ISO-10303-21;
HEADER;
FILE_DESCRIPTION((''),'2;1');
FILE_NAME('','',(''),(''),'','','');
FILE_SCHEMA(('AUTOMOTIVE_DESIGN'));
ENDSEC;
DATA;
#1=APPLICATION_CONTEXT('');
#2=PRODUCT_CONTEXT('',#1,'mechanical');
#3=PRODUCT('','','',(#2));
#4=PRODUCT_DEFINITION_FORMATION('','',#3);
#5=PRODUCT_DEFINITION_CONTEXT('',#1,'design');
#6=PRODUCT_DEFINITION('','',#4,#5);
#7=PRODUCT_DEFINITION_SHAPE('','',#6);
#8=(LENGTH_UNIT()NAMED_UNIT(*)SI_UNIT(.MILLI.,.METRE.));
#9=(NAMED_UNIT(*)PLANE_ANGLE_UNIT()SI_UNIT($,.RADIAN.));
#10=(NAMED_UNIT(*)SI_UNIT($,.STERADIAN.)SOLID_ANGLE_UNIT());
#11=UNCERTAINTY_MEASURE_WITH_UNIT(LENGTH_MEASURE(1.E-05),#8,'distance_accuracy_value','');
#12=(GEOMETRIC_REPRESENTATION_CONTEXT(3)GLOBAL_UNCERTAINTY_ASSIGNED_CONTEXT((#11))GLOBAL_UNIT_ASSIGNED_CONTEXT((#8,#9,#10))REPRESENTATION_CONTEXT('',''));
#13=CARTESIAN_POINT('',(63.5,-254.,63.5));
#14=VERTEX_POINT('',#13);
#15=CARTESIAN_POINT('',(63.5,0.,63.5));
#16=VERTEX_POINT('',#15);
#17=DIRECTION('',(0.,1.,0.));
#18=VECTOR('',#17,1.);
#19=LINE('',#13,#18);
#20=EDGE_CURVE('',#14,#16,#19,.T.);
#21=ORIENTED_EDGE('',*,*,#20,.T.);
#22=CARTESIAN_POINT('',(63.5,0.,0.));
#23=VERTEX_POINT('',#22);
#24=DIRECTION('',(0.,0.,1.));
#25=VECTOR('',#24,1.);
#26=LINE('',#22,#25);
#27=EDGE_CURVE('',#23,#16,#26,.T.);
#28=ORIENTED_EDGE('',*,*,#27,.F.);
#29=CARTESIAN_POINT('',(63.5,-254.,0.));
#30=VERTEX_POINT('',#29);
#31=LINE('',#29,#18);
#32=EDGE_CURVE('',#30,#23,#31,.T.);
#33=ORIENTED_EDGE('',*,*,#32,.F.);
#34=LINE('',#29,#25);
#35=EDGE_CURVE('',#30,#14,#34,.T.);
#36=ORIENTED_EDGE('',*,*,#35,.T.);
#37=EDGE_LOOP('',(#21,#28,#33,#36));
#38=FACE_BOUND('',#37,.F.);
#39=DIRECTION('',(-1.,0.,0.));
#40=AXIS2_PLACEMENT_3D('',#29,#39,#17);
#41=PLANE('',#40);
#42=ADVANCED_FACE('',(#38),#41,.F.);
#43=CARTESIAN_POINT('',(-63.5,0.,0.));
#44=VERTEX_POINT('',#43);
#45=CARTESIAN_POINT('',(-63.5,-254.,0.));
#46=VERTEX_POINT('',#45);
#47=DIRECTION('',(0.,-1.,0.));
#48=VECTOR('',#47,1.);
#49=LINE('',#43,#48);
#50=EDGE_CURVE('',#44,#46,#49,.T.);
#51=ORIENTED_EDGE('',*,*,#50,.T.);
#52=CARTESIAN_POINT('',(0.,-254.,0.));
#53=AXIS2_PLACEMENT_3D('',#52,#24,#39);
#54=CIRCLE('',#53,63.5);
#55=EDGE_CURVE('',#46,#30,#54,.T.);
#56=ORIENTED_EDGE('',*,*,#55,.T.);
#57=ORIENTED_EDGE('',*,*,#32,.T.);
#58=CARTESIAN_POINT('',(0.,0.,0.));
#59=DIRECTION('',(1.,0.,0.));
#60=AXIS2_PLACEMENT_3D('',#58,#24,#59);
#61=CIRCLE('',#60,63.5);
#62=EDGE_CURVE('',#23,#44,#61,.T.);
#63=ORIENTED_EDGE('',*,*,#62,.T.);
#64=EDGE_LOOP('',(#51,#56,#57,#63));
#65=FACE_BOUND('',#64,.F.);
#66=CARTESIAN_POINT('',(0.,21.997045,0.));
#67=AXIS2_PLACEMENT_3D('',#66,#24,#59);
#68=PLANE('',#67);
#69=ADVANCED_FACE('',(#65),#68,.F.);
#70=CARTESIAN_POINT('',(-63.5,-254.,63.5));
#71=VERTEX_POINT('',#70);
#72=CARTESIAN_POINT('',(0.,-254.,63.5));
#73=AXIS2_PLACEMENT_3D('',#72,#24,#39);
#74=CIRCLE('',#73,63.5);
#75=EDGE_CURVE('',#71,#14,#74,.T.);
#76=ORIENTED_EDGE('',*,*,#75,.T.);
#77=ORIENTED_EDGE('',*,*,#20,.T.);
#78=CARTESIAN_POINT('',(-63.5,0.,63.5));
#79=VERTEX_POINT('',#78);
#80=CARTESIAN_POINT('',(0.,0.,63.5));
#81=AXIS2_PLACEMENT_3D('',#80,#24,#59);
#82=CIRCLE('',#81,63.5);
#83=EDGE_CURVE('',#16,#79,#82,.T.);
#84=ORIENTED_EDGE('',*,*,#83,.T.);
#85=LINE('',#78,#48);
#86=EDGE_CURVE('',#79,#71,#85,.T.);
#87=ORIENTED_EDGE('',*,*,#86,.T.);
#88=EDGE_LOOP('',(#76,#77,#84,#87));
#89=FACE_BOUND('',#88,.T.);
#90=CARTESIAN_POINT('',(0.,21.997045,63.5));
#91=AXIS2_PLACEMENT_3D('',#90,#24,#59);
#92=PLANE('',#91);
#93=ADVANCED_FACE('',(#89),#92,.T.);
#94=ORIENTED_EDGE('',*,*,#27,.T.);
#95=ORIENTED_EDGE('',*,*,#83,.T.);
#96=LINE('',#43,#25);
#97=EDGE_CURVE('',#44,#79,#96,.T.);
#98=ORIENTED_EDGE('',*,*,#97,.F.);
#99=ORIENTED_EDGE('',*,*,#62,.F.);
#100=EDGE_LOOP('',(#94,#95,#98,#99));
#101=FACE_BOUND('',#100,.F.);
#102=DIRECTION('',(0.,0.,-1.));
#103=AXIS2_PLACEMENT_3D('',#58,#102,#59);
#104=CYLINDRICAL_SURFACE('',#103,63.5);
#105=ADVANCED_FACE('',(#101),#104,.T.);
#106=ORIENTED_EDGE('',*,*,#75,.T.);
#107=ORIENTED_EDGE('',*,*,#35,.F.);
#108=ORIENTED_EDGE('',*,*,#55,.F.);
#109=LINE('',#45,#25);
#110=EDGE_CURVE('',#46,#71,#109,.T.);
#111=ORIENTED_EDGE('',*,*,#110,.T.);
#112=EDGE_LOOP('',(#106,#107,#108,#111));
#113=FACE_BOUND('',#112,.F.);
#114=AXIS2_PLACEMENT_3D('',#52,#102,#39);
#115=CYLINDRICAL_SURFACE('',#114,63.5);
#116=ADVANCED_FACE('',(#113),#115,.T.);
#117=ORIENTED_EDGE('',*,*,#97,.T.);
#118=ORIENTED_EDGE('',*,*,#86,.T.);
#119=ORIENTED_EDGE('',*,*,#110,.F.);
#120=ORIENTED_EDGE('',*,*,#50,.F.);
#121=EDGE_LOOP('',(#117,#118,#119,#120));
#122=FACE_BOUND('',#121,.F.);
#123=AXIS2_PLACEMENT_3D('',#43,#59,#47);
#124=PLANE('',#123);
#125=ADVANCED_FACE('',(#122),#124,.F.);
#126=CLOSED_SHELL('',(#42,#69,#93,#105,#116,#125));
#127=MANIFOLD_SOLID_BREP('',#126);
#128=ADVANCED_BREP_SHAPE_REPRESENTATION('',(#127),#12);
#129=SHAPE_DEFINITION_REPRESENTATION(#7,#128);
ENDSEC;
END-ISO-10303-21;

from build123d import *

# Parameters (mm, degrees)
F1_DEPTH = 63.5


with BuildPart() as f1:
    # F0 (on Top) → F1 (new body)
    with BuildSketch(Plane.XY):
        with BuildLine():
            Line((-63.5, 0), (63.5, 0))
            ThreePointArc((63.5, 0), (0, 63.5), (-63.5, 0))
        make_face()
        with BuildLine():
            Line((63.5, -254), (63.5, 0))
            ThreePointArc((63.5, 0), (0, -63.5), (-63.5, 0))
            Line((-63.5, 0), (-63.5, -254))
            ThreePointArc((-63.5, -254), (0, -190.5), (63.5, -254))
        make_face()
        with BuildLine():
            ThreePointArc((-63.5, 0), (0, -63.5), (63.5, 0))
            Line((63.5, 0), (-63.5, 0))
        make_face()
        with BuildLine():
            ThreePointArc((-63.5, -254), (0, -317.5), (63.5, -254))
            Line((63.5, -254), (-63.5, -254))
        make_face()
        with BuildLine():
            Line((-63.5, -254), (63.5, -254))
            ThreePointArc((63.5, -254), (0, -190.5), (-63.5, -254))
        make_face()
    extrude(amount=F1_DEPTH)


solid = f1.part
